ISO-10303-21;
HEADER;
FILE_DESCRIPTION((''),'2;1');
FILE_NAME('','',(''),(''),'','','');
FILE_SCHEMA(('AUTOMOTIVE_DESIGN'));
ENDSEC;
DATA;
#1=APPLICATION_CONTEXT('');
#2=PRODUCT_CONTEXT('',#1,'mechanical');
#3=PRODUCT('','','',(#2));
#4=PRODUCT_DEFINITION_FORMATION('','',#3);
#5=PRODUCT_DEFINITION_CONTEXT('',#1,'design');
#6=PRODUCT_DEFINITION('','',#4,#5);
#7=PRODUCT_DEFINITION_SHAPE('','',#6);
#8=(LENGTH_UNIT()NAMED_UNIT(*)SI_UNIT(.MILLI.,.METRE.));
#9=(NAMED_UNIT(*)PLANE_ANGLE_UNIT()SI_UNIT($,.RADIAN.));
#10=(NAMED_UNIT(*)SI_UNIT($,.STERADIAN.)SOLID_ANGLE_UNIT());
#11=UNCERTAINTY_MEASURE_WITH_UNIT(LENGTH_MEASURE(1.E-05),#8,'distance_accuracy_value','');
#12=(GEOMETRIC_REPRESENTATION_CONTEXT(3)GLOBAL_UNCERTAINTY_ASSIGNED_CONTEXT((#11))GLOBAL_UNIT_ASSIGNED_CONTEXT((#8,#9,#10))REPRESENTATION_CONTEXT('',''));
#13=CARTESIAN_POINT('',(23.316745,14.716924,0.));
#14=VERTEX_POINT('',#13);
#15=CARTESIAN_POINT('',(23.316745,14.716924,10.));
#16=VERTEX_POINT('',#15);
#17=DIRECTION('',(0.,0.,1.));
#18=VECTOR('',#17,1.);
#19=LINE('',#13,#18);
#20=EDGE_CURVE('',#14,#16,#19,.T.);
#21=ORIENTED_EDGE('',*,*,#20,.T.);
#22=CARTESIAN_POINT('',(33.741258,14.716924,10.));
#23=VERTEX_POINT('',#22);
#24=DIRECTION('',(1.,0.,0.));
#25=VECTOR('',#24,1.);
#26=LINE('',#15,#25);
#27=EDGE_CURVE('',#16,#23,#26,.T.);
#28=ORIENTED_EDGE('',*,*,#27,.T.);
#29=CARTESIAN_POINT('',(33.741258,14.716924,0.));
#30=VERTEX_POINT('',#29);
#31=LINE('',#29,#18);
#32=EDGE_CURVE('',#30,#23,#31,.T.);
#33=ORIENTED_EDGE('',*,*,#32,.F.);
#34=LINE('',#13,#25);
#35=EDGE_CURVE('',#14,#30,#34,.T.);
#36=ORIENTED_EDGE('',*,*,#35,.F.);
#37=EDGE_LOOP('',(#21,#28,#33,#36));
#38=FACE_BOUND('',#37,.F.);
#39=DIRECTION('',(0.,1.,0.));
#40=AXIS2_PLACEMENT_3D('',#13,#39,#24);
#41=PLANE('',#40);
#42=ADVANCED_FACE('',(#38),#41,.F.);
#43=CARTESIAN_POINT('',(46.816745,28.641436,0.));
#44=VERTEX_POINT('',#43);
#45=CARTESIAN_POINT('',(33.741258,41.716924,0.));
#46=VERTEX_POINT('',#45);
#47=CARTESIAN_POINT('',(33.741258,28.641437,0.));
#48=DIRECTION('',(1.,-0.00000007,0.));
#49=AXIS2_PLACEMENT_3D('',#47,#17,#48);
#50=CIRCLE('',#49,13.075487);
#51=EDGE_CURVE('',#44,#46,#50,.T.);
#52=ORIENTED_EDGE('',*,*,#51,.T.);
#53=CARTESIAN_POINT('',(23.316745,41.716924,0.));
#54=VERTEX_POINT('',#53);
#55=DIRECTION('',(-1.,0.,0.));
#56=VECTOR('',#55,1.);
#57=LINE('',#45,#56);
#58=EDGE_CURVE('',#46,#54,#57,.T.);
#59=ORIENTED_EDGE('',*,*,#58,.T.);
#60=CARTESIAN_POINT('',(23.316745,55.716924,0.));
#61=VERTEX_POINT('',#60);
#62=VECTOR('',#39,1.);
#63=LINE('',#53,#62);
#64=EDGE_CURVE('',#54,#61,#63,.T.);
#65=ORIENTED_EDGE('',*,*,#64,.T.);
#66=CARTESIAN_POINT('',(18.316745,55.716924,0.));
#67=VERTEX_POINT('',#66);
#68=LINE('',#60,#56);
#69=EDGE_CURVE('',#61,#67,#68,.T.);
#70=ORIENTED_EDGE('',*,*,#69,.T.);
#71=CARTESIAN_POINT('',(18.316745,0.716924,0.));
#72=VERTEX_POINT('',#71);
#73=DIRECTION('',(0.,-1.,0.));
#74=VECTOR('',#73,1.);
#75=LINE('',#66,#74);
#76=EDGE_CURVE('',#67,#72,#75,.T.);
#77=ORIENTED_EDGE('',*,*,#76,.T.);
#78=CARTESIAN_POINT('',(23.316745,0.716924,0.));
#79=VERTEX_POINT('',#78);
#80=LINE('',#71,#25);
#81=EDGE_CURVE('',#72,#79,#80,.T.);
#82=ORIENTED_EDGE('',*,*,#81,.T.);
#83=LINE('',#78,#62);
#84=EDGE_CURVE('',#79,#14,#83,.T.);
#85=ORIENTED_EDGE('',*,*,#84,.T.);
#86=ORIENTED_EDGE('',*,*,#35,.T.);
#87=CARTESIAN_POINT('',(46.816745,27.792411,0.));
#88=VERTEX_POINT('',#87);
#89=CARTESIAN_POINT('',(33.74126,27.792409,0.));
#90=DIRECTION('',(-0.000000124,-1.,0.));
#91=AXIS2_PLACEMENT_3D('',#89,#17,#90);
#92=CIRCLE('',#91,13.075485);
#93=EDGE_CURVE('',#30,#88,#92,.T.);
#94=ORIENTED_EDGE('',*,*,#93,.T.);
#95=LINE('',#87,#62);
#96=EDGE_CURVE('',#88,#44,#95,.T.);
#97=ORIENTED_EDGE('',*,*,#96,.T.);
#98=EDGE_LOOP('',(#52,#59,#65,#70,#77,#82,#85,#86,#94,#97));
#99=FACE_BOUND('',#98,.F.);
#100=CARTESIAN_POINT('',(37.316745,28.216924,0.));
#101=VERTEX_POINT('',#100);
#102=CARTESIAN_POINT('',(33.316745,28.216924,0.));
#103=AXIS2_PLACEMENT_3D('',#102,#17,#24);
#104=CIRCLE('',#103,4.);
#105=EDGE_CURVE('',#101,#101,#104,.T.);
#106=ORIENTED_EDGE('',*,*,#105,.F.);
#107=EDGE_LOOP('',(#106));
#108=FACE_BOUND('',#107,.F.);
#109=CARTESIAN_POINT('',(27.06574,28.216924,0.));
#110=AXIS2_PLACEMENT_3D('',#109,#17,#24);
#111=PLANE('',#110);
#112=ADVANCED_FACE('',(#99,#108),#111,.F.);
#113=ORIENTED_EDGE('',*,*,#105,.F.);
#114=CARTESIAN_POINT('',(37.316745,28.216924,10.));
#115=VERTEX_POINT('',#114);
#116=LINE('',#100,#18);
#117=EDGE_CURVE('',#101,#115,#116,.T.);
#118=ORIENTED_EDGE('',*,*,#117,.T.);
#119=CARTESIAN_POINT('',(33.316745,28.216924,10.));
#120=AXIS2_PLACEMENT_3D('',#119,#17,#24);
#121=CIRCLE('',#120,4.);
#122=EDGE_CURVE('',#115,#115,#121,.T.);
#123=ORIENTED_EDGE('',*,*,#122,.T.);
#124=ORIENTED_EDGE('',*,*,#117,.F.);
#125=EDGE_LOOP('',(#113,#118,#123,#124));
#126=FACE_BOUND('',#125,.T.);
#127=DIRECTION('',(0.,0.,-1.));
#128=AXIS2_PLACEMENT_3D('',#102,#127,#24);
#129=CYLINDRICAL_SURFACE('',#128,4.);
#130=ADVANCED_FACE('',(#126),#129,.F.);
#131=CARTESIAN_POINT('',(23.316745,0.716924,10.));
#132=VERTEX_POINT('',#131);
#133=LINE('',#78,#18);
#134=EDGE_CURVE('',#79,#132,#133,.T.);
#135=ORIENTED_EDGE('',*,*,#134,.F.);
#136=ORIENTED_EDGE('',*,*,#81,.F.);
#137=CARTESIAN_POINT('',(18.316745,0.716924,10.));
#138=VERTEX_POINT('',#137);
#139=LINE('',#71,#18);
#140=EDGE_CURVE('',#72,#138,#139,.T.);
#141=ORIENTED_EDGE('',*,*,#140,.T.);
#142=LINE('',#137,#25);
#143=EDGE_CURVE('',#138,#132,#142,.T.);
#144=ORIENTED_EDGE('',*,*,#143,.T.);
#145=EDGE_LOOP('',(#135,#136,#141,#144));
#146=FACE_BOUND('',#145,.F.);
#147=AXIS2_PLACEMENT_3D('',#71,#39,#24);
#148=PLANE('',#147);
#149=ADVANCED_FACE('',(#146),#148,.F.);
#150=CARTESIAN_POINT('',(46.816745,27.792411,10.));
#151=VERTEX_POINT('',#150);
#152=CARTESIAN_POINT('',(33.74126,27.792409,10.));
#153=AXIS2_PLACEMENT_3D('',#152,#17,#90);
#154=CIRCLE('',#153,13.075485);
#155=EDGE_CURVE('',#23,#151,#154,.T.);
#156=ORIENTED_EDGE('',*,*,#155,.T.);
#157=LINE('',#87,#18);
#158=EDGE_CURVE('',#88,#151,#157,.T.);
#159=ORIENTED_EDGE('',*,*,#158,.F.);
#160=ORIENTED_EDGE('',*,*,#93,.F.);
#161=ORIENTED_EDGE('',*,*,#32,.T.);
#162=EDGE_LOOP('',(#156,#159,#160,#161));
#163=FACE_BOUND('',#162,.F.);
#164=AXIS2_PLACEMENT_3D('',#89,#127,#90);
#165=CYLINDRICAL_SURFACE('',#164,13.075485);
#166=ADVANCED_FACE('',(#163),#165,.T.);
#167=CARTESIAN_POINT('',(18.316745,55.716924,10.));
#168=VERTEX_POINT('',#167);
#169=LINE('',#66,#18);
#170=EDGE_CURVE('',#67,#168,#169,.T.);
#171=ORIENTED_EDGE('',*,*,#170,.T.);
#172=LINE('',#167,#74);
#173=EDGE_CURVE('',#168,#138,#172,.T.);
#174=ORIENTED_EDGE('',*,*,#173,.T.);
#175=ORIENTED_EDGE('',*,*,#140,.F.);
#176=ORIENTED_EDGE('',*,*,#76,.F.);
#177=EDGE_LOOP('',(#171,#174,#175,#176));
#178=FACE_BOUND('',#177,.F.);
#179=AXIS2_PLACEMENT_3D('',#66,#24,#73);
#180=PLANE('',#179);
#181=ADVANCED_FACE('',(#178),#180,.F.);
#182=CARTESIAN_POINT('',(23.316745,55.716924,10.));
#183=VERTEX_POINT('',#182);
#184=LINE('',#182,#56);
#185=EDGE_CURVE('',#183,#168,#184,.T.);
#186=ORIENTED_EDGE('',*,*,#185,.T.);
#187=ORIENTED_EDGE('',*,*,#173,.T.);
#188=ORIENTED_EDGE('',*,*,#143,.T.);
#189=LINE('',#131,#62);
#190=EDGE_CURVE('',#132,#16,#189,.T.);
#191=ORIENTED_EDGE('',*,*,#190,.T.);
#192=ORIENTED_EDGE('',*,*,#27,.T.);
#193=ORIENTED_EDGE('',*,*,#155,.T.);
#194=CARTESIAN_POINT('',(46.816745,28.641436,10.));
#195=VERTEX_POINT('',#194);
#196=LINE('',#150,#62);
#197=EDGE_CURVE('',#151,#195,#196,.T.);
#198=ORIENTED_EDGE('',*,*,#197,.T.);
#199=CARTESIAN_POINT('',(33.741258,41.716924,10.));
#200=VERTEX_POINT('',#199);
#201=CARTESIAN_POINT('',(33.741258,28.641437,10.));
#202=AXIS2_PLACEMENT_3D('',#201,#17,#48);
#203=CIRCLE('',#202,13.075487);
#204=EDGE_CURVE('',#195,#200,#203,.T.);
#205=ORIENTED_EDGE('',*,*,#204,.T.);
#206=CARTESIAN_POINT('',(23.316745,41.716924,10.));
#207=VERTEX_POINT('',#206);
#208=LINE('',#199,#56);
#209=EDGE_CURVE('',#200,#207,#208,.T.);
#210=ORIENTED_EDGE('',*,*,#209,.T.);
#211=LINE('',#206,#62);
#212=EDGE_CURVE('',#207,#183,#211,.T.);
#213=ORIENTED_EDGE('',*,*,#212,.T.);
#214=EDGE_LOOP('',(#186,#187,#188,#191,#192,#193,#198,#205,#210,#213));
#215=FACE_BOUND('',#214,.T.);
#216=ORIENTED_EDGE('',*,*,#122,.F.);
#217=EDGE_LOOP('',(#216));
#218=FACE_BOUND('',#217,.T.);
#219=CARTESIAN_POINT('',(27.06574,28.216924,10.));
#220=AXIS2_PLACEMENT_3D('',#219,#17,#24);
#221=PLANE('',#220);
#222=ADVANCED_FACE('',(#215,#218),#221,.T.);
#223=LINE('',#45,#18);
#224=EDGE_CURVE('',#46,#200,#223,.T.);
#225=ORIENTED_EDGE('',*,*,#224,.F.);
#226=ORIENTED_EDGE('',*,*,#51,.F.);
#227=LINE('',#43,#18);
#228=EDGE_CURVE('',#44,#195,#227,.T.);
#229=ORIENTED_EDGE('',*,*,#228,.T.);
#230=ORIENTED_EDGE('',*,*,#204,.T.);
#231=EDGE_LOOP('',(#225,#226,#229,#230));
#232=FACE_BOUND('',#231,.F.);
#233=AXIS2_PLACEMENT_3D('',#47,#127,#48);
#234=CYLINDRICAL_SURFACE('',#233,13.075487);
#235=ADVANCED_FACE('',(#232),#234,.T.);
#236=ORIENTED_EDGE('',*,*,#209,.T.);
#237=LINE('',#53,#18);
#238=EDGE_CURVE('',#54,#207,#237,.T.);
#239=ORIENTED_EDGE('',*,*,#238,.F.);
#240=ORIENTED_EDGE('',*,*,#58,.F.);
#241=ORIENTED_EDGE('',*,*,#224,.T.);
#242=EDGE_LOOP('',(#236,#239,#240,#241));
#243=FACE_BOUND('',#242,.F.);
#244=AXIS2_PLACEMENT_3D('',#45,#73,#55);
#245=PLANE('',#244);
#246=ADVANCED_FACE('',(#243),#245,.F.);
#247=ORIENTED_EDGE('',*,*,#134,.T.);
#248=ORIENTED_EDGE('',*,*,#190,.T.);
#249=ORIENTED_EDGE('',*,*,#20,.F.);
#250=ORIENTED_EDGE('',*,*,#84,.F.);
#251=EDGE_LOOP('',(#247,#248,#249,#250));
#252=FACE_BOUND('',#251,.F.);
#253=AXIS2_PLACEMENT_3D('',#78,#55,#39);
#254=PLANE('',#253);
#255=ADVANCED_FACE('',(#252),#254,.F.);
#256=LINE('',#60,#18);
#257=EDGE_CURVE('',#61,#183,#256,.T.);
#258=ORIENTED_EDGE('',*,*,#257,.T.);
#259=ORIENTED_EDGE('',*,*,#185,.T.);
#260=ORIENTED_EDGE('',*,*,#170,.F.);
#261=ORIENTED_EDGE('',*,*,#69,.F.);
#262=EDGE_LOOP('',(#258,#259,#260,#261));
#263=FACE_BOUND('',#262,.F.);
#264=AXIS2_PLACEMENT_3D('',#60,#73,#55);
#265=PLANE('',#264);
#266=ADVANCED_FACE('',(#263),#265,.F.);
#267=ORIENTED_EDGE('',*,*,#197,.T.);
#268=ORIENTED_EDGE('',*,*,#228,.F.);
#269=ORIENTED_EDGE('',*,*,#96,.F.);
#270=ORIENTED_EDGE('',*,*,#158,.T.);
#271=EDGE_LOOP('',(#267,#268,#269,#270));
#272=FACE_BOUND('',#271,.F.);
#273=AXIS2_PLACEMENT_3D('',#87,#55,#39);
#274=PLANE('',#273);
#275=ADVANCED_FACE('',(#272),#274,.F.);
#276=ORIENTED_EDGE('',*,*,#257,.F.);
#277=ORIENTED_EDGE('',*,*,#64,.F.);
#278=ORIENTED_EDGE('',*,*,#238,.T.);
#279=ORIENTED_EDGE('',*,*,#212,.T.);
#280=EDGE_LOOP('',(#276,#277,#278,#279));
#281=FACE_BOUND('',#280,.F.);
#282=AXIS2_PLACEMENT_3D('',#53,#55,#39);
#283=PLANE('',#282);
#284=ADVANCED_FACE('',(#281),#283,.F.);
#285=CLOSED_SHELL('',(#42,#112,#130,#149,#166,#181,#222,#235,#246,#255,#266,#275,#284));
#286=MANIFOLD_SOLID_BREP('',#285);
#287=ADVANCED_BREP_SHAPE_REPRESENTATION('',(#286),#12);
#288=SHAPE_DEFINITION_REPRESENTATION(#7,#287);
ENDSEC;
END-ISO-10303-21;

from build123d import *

# Parameters (mm, degrees)
SKETCH_R      = 4
EXTRUDE_DEPTH = 10


with BuildPart() as part:
    # Sketch → Extrude (new body)
    with BuildSketch(Plane.XY):
        with BuildLine():
            Line((18.316745, 55.716924), (18.316745, 0.716924))
            Line((18.316745, 0.716924), (23.316745, 0.716924))
            Line((23.316745, 0.716924), (23.316745, 14.716924))
            Line((23.316745, 14.716924), (33.741258, 14.716924))
            ThreePointArc((33.741258, 14.716924), (42.987024, 18.546645), (46.816745, 27.792411))
            Line((46.816745, 27.792411), (46.816745, 28.641436))
            ThreePointArc((46.816745, 28.641436), (42.987024, 37.887202), (33.741258, 41.716924))
            Line((33.741258, 41.716924), (23.316745, 41.716924))
            Line((23.316745, 41.716924), (23.316745, 55.716924))
            Line((23.316745, 55.716924), (18.316745, 55.716924))
        make_face()
        with Locations((33.316745, 28.216924)):
            Circle(SKETCH_R, mode=Mode.SUBTRACT)
    extrude(amount=EXTRUDE_DEPTH)


solid = part.part
